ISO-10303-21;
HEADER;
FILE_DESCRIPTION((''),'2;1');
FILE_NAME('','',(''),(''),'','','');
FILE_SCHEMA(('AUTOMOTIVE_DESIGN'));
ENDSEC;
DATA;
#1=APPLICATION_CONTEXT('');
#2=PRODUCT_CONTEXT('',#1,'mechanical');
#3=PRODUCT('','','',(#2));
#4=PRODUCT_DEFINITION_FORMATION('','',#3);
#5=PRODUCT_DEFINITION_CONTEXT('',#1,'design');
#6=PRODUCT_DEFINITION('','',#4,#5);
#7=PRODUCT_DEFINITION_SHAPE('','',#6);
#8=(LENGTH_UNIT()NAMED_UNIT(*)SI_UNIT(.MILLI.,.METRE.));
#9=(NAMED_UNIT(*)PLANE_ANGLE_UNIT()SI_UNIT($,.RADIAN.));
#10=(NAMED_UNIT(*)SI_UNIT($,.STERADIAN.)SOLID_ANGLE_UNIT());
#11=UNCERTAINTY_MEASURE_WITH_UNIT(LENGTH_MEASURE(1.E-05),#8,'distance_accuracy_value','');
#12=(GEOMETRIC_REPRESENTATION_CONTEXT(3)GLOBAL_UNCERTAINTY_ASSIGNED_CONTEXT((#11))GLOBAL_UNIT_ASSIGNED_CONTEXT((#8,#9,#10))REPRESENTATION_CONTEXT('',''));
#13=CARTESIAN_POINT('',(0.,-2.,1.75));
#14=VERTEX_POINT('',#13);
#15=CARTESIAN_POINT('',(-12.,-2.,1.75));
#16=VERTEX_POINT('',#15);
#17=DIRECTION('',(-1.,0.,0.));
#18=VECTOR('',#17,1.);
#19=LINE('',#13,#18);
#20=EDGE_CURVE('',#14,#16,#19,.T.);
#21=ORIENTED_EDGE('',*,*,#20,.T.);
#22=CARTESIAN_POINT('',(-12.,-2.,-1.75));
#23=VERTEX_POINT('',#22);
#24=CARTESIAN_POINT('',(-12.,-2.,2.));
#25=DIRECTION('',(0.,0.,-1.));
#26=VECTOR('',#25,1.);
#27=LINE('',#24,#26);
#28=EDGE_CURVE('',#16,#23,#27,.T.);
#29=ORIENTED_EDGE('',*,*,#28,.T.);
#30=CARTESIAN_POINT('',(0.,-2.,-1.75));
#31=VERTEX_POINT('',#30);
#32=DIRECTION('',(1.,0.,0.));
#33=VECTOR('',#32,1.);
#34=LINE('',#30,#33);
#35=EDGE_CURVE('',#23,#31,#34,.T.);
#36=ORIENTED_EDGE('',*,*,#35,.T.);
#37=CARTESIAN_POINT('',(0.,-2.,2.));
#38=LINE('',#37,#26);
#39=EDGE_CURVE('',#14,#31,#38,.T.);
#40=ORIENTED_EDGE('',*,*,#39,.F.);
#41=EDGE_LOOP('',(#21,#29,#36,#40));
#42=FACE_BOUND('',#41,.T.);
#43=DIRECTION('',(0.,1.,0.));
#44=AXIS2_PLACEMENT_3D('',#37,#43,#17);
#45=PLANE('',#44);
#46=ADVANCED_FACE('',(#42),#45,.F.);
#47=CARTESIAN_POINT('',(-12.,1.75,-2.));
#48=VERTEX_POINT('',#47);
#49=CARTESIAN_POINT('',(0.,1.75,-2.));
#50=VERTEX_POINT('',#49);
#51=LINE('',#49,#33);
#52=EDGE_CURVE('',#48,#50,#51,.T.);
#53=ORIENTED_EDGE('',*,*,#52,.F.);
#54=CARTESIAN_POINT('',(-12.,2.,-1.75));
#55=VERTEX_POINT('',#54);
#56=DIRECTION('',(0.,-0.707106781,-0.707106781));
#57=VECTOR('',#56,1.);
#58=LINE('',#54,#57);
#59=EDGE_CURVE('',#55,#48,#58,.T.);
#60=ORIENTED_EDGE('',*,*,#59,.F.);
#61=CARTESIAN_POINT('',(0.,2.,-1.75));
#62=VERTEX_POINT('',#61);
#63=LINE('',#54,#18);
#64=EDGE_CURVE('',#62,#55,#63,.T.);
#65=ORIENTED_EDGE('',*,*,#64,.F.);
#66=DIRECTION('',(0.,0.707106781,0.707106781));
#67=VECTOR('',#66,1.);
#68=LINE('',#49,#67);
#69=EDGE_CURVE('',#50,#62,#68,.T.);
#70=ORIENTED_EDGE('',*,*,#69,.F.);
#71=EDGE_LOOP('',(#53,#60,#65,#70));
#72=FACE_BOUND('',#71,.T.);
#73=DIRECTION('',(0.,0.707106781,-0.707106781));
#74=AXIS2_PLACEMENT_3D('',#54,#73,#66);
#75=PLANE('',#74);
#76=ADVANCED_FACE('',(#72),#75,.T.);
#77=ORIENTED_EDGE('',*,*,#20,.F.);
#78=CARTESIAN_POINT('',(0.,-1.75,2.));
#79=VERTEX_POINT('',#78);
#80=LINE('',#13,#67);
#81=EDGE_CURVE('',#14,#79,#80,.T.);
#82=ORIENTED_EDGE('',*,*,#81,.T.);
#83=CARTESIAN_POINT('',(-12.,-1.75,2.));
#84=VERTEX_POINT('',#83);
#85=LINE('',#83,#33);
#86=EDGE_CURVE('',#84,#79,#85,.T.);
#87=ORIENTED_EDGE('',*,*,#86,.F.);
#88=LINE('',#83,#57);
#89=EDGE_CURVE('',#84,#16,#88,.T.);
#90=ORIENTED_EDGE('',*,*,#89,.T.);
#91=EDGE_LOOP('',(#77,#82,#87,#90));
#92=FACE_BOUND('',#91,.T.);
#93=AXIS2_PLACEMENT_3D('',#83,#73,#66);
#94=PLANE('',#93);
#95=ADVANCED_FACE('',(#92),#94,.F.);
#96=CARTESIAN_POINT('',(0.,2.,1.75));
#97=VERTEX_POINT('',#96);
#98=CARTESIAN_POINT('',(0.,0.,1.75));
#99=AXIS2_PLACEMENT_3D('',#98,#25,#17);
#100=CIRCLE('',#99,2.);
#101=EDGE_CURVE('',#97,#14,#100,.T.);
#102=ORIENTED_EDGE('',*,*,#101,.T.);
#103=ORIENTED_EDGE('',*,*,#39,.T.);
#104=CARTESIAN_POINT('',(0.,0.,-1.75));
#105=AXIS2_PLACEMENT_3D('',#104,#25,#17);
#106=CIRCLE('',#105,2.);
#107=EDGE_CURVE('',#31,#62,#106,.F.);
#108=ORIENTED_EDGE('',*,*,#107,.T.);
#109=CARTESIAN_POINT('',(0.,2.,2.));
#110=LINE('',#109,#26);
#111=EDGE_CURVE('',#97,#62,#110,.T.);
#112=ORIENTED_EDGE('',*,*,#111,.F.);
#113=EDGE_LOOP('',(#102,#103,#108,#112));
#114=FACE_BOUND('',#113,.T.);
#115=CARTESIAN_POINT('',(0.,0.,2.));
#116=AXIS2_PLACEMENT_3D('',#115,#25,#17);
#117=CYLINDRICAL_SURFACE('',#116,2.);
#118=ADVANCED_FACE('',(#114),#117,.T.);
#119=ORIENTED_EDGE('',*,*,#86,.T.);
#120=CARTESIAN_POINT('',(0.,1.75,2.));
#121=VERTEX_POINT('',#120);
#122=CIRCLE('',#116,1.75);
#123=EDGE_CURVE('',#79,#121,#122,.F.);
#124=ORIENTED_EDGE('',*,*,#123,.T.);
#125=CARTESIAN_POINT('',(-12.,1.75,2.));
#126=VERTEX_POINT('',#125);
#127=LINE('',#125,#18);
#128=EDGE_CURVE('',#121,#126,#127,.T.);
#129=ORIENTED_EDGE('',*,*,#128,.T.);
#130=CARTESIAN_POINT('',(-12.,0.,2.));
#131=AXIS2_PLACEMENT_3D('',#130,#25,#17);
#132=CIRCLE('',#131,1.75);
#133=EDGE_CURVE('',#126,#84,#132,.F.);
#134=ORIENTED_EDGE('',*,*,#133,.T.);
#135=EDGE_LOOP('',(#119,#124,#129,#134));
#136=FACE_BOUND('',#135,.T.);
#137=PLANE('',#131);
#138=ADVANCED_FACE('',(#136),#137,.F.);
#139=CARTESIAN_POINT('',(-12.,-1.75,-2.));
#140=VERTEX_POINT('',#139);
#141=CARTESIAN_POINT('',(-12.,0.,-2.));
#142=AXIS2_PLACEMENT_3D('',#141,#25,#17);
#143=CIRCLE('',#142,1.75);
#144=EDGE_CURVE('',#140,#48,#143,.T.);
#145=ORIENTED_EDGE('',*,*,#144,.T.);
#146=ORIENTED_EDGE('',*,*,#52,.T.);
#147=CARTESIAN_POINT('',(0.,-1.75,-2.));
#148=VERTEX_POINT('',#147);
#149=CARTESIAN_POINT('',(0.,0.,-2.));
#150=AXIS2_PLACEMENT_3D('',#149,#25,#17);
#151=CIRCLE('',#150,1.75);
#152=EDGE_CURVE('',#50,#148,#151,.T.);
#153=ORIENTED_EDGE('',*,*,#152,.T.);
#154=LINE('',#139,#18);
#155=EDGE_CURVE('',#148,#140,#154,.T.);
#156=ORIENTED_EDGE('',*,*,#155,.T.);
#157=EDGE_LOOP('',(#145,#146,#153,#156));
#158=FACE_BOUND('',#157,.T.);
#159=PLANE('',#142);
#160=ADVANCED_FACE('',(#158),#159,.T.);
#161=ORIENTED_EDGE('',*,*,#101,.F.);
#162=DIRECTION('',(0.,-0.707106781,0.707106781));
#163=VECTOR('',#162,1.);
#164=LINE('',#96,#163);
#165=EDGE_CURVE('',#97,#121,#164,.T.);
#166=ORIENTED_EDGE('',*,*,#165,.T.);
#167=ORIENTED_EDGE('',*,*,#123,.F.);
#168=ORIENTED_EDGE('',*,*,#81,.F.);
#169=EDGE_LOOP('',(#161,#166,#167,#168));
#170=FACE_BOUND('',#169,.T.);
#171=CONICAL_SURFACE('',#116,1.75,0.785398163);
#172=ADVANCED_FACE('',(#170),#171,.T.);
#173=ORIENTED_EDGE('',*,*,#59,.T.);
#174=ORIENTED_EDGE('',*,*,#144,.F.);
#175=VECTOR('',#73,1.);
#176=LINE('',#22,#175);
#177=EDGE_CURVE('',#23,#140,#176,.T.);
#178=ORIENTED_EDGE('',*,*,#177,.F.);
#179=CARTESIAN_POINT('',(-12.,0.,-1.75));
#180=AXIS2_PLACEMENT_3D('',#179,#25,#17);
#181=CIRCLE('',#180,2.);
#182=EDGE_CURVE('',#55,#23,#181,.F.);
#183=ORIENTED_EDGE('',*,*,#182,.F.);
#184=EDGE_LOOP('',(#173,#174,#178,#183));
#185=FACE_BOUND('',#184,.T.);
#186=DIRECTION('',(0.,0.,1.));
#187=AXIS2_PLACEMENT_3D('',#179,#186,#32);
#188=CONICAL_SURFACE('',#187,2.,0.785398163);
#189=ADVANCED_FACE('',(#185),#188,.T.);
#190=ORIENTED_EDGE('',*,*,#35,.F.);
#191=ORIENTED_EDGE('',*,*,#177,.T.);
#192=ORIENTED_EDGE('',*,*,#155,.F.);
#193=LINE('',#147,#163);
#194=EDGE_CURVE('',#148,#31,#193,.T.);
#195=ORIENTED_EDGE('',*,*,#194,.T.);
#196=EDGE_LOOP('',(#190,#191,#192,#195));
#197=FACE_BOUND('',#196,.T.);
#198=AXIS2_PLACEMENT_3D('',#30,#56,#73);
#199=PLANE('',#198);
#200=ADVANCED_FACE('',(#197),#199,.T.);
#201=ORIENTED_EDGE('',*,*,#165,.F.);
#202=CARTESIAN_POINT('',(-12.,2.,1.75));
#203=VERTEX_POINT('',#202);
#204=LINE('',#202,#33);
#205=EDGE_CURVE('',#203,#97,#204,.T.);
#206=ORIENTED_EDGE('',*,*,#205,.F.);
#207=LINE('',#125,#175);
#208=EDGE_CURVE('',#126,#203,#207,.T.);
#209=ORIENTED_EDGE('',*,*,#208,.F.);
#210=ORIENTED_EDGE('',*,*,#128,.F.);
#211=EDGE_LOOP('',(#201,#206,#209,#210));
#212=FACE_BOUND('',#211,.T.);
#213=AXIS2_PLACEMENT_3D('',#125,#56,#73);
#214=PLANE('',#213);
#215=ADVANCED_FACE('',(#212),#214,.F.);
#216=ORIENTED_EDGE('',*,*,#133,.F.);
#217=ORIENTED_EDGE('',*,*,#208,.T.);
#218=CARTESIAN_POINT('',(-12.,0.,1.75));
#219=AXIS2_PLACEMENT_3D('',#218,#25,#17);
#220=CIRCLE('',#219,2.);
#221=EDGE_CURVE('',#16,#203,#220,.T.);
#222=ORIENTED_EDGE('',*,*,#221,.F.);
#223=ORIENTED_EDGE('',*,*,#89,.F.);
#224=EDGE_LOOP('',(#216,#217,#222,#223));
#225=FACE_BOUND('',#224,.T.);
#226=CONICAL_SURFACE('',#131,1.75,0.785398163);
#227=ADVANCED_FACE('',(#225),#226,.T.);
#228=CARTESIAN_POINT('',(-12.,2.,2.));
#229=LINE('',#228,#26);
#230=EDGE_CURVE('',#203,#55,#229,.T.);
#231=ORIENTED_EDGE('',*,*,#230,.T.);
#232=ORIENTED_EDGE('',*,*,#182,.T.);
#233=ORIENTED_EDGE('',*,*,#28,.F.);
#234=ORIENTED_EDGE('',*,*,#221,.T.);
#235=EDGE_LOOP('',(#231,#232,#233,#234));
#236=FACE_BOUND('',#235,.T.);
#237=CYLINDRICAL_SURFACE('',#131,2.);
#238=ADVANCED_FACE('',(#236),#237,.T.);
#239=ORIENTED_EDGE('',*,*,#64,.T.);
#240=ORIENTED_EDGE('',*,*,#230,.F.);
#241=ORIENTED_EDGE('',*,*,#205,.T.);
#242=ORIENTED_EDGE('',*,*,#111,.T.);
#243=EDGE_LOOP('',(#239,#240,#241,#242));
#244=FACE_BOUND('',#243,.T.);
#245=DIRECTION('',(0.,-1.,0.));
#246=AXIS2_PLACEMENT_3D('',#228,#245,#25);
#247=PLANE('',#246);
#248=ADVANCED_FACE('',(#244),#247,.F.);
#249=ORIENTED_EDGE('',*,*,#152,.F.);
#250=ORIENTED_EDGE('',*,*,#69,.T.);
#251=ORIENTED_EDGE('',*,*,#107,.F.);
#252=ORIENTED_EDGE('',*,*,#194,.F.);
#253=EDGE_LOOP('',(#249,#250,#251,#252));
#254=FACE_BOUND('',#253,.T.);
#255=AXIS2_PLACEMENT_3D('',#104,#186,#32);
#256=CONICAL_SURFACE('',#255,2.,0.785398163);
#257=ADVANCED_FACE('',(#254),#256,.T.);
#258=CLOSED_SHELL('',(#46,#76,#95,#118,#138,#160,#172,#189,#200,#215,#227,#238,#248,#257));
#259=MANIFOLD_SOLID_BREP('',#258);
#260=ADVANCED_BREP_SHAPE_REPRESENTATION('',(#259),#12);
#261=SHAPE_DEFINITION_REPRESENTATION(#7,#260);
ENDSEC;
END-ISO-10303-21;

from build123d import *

# Parameters (mm, degrees)
BASEKEY_DEPTH = 2
CHAMFER1_SIZE = 0.25


with BuildPart() as part:
    # Sketch1 → BaseKey (new, symmetric)
    with BuildSketch(Plane.XY):
        with BuildLine():
            Line((-12, 2), (0, 2))
            ThreePointArc((0, 2), (2, 0), (0, -2))
            Line((0, -2), (-12, -2))
            ThreePointArc((-12, -2), (-14, 0), (-12, 2))
        make_face()
    extrude(amount=BASEKEY_DEPTH, both=True)

    # Chamfer1
    chamfer1_edges = [part.edges().sort_by_distance(p)[0] for p in [
        (2, 0, 2),
        (-6, 2, 2),
        (-14, 0, 2),
        (-6, 2, -2),
        (2, 0, -2),
        (-6, -2, -2),
        (-14, 0, -2),
        (-6, -2, 2),
    ]]
    chamfer(chamfer1_edges, length=CHAMFER1_SIZE)


solid = part.part
